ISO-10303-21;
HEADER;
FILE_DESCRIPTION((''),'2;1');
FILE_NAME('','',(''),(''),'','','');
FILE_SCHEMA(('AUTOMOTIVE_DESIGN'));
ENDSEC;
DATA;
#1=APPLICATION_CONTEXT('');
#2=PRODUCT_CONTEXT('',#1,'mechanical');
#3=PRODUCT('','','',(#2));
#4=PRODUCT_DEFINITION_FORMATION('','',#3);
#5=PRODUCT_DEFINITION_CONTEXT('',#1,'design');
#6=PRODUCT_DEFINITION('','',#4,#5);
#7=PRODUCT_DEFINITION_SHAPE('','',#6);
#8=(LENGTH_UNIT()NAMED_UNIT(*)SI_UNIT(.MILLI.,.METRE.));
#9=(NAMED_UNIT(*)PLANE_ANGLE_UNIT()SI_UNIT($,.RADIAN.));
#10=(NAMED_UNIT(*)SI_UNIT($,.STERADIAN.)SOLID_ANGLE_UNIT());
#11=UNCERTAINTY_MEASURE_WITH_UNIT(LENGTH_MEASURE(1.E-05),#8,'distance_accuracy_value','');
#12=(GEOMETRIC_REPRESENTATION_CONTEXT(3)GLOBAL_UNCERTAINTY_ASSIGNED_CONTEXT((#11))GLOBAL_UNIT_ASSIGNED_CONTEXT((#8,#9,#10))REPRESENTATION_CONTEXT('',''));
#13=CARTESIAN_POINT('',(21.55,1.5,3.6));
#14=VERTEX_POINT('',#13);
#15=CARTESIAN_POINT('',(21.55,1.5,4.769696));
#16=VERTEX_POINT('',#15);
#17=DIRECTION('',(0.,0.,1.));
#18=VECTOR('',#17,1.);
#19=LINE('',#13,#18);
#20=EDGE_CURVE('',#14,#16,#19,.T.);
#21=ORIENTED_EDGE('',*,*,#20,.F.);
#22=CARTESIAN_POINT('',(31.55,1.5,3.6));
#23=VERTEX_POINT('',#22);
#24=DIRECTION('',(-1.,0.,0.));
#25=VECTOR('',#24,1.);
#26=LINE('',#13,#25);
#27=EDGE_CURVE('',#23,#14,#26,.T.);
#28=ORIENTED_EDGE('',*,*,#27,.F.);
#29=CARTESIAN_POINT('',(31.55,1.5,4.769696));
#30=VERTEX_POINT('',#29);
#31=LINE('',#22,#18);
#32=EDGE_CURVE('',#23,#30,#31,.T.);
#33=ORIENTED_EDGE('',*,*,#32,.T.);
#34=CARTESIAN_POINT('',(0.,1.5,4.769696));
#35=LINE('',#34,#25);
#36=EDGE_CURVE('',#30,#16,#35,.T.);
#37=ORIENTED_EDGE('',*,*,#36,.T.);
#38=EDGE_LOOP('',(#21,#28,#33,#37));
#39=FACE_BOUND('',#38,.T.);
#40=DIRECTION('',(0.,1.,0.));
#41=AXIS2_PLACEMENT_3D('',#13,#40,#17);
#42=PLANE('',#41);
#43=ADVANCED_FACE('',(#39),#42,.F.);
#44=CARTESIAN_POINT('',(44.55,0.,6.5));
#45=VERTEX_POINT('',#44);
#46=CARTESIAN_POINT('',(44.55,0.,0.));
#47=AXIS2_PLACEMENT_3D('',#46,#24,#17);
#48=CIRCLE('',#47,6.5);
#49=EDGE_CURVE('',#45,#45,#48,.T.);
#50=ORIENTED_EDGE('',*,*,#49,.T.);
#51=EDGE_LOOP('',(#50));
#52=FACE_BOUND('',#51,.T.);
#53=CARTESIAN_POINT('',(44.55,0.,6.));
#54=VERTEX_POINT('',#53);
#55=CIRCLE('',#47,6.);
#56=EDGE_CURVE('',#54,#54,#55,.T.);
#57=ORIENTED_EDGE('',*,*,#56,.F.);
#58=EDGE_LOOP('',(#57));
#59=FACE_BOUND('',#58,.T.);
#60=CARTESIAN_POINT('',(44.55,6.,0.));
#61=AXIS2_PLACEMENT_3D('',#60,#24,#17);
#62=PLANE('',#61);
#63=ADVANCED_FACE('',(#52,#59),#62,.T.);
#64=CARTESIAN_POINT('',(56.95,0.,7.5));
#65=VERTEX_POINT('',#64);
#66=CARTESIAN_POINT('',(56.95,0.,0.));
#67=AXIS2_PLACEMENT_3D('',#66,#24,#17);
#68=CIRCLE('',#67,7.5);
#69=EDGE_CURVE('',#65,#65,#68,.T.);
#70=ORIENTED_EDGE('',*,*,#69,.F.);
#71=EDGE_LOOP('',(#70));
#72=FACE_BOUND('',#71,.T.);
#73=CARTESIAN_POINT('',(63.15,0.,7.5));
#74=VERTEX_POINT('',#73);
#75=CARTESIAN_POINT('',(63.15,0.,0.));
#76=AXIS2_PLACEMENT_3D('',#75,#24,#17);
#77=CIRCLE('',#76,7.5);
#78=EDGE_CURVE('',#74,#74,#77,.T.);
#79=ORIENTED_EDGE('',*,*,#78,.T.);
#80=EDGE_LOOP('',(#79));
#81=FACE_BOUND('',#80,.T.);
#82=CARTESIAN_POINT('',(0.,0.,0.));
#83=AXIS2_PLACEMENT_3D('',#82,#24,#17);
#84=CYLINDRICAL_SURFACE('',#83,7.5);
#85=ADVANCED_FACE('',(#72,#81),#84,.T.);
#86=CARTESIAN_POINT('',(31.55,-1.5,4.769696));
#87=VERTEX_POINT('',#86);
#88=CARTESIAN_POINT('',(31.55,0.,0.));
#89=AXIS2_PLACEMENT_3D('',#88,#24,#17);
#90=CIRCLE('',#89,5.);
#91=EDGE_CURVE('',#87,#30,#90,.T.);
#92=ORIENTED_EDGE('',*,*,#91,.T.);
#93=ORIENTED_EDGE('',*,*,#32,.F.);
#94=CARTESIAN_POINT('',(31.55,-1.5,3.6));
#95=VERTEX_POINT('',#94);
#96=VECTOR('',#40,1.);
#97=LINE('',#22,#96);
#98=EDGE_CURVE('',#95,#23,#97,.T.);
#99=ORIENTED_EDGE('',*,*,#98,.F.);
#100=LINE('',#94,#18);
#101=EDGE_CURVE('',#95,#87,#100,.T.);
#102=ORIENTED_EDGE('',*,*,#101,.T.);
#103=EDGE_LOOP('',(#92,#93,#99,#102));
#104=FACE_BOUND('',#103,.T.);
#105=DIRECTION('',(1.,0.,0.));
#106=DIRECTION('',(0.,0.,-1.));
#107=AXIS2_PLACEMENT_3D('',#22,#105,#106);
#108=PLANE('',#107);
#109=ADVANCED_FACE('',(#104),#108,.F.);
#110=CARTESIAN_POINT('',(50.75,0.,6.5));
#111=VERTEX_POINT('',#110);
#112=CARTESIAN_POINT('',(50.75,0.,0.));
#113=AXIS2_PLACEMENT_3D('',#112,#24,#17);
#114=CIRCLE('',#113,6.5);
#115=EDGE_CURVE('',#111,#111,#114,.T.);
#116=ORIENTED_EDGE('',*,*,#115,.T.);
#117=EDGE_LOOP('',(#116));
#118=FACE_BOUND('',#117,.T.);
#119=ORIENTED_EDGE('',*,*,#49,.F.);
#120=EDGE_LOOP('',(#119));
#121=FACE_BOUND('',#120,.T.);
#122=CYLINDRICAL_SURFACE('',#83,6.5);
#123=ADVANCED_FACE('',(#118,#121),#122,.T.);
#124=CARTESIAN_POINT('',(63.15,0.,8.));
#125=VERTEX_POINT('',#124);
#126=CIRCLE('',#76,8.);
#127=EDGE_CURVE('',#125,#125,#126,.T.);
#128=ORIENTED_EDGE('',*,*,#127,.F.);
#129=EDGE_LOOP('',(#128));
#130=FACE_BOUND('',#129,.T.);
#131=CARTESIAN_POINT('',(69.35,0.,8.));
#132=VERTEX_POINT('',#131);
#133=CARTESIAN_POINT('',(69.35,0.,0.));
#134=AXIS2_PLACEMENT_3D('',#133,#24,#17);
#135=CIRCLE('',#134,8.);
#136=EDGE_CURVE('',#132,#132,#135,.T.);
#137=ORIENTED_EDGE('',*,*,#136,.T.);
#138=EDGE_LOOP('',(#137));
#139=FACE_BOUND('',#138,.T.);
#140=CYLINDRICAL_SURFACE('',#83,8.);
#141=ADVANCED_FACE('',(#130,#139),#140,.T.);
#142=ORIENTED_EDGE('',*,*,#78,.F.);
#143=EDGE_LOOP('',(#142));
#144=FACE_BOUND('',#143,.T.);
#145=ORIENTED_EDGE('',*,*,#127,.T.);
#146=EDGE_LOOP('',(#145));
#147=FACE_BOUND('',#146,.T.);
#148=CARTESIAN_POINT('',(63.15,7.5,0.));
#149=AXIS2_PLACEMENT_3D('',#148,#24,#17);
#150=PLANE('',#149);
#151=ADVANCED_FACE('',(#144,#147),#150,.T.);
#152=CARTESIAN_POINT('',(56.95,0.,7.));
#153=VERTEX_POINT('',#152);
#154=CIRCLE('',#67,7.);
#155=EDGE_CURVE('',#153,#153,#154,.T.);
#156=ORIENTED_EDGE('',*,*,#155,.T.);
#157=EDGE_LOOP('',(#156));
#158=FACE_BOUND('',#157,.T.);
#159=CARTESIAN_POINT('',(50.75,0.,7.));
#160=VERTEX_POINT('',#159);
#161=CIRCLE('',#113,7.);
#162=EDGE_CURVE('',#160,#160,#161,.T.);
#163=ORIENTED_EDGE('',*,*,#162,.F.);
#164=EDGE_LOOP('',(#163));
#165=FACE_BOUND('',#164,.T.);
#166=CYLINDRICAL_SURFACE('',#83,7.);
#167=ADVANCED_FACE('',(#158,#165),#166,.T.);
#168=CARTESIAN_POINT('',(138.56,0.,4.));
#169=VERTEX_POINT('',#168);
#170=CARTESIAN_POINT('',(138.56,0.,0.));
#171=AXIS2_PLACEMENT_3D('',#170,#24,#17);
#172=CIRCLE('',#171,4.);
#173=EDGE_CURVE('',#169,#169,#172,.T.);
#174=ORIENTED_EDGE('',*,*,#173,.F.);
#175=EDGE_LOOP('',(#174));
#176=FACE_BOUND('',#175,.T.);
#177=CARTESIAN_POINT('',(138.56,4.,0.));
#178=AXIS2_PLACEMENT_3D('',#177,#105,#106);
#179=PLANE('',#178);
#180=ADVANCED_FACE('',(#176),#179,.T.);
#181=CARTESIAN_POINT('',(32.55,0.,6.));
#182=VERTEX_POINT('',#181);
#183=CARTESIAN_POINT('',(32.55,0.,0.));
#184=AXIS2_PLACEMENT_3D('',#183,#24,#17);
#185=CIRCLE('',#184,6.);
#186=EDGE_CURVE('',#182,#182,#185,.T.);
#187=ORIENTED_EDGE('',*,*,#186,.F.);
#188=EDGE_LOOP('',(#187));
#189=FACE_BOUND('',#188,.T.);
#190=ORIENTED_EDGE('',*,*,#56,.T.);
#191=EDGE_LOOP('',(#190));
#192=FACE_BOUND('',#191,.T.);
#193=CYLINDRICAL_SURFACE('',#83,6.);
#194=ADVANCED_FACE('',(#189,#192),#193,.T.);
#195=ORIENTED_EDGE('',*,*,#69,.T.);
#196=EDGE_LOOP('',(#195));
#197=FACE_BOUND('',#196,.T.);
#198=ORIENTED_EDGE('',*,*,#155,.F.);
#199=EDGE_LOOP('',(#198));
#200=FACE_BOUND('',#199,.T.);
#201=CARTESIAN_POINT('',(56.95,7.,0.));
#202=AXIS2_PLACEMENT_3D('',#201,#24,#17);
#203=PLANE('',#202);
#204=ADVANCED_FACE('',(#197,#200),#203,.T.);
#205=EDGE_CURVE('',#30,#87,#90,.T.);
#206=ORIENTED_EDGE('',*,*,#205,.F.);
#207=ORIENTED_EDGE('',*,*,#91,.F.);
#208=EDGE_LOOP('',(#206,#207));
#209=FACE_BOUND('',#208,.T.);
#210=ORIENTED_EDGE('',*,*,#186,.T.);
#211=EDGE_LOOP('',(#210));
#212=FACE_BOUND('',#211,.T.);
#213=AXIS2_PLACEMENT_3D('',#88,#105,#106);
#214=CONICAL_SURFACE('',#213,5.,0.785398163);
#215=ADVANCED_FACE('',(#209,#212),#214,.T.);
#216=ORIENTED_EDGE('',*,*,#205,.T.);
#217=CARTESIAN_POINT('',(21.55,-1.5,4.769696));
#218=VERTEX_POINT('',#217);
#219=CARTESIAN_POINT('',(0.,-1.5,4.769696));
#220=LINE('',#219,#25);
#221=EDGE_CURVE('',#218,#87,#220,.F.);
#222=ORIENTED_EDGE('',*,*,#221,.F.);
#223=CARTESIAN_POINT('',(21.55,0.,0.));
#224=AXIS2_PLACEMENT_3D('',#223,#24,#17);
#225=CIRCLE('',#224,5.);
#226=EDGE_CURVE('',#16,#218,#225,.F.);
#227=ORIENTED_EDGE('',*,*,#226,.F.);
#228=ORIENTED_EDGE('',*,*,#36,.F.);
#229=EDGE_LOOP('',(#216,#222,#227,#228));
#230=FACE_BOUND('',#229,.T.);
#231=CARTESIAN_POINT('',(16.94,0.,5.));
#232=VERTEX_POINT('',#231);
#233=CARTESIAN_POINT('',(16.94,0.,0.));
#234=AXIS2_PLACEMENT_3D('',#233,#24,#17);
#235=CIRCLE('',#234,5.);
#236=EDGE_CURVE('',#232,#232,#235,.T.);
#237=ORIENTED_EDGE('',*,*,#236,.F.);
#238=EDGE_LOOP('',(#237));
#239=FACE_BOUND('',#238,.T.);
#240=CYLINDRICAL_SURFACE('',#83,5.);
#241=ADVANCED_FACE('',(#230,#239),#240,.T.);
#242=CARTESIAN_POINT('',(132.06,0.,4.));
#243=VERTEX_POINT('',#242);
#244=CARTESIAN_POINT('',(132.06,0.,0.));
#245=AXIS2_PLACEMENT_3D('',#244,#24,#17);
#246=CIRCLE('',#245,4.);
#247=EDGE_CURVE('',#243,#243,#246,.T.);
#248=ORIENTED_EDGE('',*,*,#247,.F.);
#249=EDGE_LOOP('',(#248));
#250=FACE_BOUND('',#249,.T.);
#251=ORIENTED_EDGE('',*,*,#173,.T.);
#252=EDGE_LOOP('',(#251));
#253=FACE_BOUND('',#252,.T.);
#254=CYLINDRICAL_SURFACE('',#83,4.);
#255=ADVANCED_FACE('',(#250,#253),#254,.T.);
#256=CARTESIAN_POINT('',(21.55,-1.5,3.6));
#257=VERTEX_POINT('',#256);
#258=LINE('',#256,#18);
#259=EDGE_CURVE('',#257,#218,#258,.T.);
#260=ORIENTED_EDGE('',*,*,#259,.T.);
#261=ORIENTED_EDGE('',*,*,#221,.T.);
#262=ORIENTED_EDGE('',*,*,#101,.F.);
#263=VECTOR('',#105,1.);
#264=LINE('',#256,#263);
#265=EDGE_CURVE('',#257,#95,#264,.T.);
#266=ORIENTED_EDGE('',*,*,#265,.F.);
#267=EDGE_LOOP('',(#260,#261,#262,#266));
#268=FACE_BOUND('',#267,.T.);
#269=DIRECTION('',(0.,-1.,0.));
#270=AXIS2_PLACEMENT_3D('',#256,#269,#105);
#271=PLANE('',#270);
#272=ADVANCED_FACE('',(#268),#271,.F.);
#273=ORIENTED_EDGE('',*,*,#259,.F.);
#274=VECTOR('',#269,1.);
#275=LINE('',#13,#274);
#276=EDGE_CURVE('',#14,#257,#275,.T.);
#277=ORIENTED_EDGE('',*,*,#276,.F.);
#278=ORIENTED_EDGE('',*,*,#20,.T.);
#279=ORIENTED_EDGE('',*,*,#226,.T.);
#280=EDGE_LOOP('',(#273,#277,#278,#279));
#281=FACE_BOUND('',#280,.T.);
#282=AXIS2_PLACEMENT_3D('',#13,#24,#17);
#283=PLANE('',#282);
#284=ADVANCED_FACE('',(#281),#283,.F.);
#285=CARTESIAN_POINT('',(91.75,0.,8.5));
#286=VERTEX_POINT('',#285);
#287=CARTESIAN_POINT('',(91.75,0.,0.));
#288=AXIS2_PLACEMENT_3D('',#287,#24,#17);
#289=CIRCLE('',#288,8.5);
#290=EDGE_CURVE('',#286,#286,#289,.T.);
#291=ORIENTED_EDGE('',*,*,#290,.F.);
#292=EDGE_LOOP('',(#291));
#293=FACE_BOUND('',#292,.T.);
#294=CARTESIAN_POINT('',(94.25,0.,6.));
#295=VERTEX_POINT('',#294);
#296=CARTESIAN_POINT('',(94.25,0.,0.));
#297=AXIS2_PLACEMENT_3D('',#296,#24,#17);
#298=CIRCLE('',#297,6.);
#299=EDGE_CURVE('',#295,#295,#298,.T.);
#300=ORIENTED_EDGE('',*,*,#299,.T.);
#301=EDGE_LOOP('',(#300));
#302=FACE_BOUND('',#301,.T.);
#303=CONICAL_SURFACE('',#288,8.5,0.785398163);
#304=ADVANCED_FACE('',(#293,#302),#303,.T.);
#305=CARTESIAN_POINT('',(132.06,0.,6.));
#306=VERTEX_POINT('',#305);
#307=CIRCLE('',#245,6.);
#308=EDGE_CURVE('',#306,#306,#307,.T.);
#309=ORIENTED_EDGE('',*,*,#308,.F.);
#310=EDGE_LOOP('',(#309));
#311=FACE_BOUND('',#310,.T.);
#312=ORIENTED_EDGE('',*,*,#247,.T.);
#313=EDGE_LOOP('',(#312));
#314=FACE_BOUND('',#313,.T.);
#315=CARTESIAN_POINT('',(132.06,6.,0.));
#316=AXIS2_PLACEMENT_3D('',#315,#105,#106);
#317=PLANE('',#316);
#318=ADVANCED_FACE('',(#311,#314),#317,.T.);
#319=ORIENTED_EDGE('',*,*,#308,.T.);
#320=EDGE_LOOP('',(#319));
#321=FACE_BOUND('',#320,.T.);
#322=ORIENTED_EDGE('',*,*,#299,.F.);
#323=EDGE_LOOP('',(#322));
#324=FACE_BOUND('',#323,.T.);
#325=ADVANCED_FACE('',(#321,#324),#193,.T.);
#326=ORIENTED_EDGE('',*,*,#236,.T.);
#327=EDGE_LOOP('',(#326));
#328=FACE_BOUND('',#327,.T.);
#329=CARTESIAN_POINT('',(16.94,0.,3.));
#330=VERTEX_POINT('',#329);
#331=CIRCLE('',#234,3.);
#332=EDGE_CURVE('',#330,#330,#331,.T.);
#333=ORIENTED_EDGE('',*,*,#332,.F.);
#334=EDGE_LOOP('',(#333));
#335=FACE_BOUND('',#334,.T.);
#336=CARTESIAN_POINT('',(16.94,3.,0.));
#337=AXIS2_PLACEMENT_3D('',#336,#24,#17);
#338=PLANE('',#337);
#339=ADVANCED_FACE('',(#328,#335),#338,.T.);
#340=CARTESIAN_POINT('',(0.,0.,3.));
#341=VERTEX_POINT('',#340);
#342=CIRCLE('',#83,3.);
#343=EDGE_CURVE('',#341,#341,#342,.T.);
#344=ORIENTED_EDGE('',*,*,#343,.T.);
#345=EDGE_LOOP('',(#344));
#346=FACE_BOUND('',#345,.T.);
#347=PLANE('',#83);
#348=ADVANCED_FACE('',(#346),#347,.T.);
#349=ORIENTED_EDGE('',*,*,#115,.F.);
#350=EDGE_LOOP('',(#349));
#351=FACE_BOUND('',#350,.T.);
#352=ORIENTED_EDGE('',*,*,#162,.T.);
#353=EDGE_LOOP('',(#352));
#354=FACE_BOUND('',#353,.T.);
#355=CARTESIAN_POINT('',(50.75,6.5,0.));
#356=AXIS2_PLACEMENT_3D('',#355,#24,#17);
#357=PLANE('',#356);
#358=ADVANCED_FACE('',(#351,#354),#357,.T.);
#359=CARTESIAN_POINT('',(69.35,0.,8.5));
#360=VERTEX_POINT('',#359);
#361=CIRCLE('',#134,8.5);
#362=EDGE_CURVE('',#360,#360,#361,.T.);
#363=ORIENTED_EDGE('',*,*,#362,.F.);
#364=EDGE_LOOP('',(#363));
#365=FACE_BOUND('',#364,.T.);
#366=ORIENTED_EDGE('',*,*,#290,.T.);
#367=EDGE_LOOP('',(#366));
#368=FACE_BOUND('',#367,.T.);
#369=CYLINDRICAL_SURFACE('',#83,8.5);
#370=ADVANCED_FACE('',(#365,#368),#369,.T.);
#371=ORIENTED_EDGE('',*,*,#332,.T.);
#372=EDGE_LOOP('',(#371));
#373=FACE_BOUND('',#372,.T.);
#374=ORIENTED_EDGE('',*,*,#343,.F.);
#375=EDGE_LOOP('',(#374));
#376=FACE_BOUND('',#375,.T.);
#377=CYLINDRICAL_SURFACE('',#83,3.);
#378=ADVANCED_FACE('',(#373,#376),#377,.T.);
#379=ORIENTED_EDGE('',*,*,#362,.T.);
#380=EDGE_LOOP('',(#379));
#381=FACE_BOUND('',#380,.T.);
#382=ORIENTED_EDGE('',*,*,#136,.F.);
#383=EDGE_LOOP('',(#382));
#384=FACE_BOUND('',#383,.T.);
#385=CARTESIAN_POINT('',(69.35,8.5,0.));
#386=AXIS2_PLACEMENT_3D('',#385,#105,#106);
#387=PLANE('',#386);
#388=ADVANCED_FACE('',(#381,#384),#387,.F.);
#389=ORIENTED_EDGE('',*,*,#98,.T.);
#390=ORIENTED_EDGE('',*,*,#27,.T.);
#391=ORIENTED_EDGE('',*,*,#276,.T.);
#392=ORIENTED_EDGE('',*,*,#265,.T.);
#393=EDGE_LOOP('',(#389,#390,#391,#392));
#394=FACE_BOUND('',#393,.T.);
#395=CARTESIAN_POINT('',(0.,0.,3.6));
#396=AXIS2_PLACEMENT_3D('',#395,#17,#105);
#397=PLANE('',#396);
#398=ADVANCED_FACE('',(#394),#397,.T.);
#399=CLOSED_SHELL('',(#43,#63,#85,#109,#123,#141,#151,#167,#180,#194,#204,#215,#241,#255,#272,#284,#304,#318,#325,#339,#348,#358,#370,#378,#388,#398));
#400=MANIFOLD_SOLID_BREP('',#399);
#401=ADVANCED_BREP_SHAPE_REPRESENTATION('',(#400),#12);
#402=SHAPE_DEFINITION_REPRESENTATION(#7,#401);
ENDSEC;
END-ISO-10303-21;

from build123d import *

# Parameters (mm, degrees)
CUT_EXTRUDE1_START = 2
SKETCH2_W          = 10
SKETCH2_H          = 3
CUT_EXTRUDE1_DEPTH = 1.4


with BuildPart() as part:
    # Sketch1 → Revolve1 (revolve)
    with BuildSketch(Plane.XY, mode=Mode.PRIVATE) as revolve1_sk:
        Polygon((0, 0), (0, 3), (6.5, 3), (16.94, 3), (16.94, 5), (21.87, 5), (31.55, 5), (32.55, 6), (44.55, 6), (44.55, 6.5), (50.75, 6.5), (50.75, 7), (56.95, 7), (56.95, 7.5), (63.15, 7.5), (63.15, 8), (69.35, 8), (69.35, 8.5), (91.75, 8.5), (94.25, 6), (120.06, 6), (132.06, 6), (132.06, 4), (138.56, 4), (138.56, 0), align=None)
    revolve(revolve1_sk.sketch.rotate(Axis((0, 0, 0), (1, 0, 0)), 90), axis=Axis((0, 0, 0), (1, 0, 0)))

    # Sketch2 → Cut-Extrude1 (cut)
    with BuildSketch(Plane.XY.offset(3).offset(CUT_EXTRUDE1_START)):
        with Locations((26.55, 0)):
            Rectangle(SKETCH2_W, SKETCH2_H)
    extrude(amount=-CUT_EXTRUDE1_DEPTH, mode=Mode.SUBTRACT)


solid = part.part
